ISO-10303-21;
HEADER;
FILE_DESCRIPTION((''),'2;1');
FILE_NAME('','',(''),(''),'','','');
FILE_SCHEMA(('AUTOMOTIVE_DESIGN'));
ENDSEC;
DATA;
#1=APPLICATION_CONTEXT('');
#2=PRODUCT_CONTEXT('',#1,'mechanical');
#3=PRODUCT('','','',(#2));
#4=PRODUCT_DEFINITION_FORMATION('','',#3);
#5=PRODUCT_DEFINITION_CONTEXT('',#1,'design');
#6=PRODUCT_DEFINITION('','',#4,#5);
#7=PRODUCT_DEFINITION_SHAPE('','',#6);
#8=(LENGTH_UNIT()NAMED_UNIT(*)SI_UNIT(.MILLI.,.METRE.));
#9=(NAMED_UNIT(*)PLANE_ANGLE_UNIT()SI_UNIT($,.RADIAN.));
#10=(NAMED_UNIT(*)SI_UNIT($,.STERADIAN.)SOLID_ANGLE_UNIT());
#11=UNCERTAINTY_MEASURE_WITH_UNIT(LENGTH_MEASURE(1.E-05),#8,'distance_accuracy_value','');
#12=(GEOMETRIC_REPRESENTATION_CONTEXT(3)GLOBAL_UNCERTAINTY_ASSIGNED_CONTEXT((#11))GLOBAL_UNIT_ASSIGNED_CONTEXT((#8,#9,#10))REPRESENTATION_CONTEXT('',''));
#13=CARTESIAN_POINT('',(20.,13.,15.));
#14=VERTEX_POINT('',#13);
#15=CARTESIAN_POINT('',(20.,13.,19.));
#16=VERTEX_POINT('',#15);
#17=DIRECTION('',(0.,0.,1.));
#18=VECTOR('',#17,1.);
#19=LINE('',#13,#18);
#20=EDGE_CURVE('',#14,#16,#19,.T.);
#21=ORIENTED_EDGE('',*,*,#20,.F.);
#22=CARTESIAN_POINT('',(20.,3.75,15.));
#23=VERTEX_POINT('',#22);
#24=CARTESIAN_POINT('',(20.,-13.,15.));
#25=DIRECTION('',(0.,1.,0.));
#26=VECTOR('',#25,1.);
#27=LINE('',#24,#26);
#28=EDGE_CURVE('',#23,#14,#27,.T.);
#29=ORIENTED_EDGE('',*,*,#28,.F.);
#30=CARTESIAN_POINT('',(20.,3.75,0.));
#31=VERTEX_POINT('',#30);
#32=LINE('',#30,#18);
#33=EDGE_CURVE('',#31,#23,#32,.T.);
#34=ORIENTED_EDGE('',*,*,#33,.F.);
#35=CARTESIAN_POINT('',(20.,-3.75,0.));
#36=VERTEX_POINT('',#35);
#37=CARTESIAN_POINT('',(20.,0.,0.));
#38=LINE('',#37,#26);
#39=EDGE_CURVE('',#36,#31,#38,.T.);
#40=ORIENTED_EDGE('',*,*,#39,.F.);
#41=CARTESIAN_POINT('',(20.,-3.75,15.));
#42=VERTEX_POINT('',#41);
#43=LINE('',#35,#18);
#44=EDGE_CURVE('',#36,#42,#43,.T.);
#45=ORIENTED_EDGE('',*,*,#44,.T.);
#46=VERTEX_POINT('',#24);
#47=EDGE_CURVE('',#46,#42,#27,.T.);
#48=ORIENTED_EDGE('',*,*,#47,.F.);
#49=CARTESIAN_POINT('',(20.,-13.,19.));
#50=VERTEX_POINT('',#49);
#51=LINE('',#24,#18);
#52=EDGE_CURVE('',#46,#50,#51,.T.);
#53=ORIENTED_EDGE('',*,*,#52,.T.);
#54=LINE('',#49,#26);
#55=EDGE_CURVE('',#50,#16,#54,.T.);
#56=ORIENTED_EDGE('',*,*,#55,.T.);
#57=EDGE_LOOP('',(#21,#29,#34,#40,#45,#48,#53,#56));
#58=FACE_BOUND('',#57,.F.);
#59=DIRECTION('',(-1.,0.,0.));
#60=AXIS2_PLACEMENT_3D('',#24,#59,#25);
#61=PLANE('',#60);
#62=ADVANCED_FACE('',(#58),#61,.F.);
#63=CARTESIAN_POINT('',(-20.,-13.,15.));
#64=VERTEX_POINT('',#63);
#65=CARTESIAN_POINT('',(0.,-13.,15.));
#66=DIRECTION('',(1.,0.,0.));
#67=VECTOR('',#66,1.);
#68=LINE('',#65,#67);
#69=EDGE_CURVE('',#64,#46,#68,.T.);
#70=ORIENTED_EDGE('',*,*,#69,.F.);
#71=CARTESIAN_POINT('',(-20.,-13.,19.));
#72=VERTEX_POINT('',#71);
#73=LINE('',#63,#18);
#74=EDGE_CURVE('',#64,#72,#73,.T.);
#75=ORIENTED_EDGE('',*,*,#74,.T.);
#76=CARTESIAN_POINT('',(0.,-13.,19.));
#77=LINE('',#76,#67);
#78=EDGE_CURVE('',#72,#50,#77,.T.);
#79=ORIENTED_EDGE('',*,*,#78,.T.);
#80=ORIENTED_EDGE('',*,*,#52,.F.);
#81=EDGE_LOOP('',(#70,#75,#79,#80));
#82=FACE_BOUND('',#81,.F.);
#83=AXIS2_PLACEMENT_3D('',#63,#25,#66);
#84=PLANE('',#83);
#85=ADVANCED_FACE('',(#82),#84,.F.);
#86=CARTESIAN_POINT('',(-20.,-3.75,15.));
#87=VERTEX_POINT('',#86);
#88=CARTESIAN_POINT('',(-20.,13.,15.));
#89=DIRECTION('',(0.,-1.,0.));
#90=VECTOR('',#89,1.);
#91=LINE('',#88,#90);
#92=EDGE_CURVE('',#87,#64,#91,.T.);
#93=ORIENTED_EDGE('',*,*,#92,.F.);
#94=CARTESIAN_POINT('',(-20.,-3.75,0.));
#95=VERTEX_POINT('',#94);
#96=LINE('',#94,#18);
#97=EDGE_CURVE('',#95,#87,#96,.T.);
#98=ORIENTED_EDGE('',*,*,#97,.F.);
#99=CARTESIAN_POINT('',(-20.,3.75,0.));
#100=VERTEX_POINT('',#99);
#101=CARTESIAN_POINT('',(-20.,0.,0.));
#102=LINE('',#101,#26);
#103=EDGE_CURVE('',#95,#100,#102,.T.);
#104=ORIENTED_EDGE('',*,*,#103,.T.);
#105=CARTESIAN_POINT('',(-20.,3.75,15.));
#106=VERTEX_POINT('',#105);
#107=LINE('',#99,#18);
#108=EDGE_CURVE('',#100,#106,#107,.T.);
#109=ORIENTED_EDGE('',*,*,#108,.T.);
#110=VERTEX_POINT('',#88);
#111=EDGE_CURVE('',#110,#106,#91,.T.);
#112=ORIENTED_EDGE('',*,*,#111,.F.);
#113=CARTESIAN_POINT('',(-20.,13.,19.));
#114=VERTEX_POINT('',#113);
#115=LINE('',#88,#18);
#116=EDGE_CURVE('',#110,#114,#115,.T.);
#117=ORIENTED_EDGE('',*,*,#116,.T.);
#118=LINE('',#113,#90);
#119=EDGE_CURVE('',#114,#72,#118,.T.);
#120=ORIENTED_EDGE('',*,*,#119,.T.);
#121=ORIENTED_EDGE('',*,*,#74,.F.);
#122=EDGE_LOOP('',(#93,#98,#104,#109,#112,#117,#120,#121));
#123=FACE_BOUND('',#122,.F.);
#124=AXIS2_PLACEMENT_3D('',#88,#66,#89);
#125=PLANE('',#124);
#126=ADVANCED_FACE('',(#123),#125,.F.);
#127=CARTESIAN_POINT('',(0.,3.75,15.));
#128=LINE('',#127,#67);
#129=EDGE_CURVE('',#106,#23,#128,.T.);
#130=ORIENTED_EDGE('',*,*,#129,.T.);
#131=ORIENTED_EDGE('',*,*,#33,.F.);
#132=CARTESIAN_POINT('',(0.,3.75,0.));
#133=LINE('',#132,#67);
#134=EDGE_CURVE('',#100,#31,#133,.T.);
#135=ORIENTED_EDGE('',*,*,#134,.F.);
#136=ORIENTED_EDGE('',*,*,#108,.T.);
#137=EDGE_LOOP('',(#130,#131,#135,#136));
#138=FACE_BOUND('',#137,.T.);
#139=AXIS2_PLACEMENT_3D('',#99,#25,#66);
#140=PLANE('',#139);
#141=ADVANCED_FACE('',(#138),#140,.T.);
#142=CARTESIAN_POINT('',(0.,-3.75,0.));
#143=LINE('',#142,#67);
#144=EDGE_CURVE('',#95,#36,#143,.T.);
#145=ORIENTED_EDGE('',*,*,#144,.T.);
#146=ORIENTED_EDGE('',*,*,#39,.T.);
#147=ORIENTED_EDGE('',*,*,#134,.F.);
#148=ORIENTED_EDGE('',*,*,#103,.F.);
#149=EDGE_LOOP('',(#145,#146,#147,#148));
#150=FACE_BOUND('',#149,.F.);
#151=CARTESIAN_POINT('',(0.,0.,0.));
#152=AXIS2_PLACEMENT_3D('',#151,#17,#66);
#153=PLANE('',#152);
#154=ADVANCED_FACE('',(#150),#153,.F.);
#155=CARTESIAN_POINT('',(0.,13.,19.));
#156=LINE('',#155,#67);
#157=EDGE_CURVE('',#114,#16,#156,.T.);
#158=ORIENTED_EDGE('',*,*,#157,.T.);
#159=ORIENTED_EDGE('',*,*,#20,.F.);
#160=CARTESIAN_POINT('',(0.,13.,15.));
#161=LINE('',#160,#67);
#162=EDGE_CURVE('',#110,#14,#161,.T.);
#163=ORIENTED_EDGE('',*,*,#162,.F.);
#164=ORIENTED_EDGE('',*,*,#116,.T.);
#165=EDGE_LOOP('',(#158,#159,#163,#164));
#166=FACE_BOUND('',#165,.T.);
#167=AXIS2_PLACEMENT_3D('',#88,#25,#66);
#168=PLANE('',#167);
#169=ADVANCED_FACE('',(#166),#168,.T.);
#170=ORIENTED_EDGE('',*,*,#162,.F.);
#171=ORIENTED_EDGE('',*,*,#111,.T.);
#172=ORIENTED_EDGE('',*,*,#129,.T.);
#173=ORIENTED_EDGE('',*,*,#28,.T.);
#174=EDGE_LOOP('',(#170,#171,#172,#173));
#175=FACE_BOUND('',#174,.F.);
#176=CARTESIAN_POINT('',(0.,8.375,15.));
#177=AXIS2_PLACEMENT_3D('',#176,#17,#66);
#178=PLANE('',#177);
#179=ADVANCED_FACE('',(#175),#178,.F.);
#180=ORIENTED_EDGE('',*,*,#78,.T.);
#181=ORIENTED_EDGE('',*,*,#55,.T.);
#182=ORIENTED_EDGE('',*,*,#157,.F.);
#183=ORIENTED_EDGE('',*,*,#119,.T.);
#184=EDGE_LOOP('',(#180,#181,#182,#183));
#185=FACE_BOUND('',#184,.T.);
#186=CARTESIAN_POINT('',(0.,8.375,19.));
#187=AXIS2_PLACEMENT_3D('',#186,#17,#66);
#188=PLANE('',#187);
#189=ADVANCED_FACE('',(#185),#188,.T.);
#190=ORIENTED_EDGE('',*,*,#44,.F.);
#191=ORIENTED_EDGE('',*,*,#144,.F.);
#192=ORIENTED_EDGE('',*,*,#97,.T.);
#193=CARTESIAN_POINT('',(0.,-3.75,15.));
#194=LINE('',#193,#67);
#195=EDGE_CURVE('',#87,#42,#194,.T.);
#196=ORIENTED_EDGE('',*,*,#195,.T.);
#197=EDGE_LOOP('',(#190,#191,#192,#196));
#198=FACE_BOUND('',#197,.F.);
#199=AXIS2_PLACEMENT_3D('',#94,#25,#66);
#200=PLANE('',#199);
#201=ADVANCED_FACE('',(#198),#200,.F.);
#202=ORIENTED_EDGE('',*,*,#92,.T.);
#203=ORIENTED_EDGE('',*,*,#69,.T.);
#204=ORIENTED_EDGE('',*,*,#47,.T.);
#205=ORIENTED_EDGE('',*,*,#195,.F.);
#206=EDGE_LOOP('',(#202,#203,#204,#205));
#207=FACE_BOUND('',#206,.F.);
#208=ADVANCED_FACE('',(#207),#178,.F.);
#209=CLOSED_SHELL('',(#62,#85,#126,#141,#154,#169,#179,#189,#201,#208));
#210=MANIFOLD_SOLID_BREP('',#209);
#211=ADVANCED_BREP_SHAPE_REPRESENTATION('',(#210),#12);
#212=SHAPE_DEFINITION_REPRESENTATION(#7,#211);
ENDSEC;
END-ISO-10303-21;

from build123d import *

# Parameters (mm, degrees)
F0_W     = 40
F0_H     = 7.5
F1_DEPTH = 15
F2_W     = 40
F2_H     = 9.25
F2_H_2   = 7.5
F3_DEPTH = 4


with BuildPart() as f1:
    # F0 (on Top) → F1 (new body)
    with BuildSketch(Plane.XY):
        Rectangle(F0_W, F0_H)
    extrude(amount=F1_DEPTH)

    # F2 (on face) → F3 (join)
    with BuildSketch(Plane.XY.offset(15)):
        with Locations((0, 8.375)):
            Rectangle(F2_W, F2_H)
        Rectangle(F2_W, F2_H_2)
        with Locations((0, -8.375)):
            Rectangle(F2_W, F2_H)
    extrude(amount=F3_DEPTH)


solid = f1.part
